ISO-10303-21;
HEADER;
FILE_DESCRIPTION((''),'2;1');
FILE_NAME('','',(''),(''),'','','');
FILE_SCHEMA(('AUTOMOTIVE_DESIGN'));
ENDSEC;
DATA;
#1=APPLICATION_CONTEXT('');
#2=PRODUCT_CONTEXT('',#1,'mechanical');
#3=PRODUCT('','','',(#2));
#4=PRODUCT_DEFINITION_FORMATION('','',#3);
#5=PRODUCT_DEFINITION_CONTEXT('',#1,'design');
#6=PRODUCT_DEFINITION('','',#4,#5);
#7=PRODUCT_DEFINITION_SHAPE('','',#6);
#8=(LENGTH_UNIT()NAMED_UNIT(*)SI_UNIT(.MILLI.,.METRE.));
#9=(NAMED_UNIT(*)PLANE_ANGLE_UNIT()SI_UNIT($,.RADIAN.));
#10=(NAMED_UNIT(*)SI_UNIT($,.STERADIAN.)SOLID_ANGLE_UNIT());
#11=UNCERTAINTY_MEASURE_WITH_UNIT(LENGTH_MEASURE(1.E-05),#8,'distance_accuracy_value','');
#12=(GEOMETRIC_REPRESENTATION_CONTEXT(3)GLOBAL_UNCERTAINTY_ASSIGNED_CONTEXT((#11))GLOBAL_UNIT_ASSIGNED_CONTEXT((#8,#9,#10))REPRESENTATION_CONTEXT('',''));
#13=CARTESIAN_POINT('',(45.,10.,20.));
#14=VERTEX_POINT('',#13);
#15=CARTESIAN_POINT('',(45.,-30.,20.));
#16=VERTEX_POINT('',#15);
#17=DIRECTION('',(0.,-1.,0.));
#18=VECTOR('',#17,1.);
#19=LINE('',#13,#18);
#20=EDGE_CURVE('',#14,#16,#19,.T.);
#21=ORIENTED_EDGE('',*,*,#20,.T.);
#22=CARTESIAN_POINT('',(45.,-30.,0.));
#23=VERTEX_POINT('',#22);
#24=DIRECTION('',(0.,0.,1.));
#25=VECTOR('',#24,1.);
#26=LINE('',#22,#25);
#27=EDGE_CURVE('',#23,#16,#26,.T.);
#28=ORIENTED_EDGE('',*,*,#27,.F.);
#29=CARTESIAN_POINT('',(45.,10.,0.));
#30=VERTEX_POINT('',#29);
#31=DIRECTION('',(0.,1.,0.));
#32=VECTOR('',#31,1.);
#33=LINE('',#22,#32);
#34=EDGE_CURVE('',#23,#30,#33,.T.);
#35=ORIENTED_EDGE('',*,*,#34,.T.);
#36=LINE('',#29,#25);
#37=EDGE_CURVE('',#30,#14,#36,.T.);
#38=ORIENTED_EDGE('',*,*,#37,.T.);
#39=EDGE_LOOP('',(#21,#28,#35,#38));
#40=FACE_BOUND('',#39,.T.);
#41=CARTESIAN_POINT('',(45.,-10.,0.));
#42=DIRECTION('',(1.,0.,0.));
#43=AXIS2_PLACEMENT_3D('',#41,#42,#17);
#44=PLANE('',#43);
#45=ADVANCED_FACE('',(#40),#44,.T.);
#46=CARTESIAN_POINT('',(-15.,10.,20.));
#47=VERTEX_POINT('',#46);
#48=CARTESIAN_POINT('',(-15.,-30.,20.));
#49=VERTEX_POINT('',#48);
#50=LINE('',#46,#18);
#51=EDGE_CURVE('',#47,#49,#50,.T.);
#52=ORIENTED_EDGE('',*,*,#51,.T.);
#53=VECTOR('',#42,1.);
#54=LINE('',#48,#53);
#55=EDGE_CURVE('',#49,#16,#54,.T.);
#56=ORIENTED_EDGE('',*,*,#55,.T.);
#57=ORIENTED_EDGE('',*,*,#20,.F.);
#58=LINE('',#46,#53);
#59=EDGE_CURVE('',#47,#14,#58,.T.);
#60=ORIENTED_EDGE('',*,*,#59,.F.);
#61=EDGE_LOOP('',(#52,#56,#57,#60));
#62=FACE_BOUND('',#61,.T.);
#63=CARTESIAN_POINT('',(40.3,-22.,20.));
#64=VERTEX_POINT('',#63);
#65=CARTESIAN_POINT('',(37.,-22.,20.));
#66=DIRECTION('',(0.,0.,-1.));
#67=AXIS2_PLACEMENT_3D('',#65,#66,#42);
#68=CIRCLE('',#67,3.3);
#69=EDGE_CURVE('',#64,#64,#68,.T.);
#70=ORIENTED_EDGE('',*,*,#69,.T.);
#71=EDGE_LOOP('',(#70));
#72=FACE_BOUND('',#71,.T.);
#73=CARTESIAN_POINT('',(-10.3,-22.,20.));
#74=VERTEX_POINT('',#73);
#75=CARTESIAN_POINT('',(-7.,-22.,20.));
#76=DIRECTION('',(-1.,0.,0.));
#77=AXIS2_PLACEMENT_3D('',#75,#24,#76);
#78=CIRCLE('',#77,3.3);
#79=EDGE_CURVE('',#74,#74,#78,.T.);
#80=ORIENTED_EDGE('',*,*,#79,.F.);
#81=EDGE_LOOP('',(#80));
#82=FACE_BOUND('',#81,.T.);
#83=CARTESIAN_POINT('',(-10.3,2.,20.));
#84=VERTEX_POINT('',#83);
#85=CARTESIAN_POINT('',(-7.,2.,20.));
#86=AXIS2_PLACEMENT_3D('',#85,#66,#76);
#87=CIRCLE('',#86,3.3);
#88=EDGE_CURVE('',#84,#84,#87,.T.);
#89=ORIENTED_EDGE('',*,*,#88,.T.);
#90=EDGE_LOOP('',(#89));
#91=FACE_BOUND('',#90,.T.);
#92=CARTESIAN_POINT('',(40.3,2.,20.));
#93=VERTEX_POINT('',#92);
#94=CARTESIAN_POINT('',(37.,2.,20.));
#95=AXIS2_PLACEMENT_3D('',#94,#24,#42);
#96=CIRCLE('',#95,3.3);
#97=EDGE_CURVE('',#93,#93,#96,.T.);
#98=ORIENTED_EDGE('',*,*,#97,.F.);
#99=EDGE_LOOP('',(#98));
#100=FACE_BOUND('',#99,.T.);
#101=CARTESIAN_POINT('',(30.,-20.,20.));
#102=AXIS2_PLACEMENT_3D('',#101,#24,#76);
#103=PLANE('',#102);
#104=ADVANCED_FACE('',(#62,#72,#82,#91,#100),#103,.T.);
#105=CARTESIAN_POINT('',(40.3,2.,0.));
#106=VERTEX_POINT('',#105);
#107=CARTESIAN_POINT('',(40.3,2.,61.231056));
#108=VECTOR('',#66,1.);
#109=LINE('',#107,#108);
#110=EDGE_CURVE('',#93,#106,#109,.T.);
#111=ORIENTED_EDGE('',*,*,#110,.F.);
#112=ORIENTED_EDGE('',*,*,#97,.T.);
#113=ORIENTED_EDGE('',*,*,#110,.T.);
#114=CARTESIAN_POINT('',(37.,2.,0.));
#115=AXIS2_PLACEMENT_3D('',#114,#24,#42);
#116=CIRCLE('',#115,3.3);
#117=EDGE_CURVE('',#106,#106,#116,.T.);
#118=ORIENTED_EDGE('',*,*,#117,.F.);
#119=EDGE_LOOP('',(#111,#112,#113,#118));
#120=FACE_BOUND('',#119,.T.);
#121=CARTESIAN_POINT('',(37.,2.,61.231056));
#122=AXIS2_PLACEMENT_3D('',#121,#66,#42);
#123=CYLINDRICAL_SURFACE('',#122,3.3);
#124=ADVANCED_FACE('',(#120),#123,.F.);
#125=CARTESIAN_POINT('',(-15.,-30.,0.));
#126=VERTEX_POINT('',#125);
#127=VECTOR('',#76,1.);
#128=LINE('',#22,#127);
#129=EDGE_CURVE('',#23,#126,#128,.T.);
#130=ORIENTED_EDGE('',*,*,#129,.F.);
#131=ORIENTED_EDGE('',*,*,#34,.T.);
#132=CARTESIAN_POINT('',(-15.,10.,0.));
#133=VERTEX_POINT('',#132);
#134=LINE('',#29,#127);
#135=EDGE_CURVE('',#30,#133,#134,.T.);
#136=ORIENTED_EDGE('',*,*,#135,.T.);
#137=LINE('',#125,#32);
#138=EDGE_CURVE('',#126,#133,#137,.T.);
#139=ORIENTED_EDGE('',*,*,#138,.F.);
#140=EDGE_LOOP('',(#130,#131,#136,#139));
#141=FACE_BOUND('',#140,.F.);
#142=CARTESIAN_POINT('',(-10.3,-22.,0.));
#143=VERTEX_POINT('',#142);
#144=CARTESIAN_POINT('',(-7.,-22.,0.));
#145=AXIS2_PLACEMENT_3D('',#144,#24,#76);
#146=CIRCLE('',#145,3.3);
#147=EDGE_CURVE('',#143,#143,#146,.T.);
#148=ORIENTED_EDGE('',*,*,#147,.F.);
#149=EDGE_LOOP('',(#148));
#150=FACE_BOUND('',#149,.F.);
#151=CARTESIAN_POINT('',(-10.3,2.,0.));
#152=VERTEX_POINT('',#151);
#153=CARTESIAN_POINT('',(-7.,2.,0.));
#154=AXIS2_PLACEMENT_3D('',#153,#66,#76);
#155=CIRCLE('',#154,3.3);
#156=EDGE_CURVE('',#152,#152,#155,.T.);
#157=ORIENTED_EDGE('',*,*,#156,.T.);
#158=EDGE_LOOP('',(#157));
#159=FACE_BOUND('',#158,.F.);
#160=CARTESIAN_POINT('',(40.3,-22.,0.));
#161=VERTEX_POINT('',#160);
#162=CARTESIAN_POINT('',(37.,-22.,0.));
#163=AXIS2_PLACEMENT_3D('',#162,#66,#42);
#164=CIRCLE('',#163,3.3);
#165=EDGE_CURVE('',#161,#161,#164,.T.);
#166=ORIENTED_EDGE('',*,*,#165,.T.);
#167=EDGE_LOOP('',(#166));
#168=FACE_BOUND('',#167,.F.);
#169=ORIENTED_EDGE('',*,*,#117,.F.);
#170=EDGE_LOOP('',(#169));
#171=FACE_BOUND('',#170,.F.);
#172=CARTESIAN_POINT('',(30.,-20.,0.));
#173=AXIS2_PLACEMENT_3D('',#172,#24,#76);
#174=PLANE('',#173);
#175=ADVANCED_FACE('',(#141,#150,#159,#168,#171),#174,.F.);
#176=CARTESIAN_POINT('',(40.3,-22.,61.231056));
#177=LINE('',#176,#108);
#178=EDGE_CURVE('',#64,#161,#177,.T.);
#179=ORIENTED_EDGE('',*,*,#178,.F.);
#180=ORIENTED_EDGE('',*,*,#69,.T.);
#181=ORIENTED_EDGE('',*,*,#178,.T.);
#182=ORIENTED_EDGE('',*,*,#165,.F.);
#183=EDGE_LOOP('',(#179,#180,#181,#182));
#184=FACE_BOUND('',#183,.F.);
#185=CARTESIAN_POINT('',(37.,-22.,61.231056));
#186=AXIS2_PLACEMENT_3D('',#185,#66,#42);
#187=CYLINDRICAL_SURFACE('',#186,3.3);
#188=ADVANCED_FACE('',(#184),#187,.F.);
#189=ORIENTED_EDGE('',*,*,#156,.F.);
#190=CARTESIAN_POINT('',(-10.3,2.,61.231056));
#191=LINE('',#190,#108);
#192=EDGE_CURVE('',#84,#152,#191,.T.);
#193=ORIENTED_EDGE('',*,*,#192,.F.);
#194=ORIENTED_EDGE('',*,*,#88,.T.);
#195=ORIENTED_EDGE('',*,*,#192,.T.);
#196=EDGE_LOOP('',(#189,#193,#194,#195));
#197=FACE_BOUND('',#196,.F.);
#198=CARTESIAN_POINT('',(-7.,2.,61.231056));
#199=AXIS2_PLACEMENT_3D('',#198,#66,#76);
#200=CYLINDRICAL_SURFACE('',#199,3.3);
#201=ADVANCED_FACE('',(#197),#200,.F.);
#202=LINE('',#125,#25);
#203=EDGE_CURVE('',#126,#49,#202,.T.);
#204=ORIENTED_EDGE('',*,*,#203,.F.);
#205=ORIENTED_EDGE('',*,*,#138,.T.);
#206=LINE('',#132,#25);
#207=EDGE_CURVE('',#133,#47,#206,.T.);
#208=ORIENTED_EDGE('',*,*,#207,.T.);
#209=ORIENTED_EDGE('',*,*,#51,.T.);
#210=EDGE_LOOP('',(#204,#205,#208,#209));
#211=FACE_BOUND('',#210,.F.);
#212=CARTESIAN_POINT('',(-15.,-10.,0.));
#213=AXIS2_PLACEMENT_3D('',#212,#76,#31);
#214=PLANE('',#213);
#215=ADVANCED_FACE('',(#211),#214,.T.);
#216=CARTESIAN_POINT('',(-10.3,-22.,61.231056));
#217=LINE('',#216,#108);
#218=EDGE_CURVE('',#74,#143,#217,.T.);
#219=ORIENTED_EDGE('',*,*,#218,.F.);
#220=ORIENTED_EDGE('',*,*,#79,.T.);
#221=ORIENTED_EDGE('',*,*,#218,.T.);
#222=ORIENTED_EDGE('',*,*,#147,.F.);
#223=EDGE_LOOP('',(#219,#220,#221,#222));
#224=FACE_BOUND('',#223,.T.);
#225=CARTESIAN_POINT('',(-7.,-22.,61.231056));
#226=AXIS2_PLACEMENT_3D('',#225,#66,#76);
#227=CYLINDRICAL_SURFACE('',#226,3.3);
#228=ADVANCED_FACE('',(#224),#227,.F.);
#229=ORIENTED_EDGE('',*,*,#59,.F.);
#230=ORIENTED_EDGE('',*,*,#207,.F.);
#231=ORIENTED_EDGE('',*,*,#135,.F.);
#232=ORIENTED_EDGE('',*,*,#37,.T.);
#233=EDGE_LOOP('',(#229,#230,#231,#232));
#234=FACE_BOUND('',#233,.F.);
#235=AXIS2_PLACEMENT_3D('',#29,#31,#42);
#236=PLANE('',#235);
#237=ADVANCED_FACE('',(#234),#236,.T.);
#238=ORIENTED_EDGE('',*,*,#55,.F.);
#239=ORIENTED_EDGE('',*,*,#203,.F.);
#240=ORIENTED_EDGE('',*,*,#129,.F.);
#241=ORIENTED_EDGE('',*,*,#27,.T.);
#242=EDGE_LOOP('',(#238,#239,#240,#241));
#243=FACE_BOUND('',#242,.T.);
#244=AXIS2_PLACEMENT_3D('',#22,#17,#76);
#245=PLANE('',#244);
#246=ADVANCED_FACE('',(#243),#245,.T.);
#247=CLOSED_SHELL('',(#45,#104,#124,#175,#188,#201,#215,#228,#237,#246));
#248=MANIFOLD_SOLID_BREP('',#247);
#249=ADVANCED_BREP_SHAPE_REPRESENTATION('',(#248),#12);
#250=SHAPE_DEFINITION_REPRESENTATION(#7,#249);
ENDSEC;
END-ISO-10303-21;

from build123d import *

# Parameters (mm, degrees)
F0_W     = 30
F0_H     = 20
F1_DEPTH = 20
F3_D     = 6.6


with BuildPart() as f1:
    # F0 (on Top) → F1 (new body)
    with BuildSketch(Plane.XY):
        Rectangle(F0_W, F0_H)
    extrude(amount=F1_DEPTH)

    # F3 (through all)
    with Locations(Plane.XY.offset(20)):
        with Locations((-7, 2)):
            Hole(F3_D / 2)

    # F4: F1 across face


with BuildPart() as f1_1:
    add(f1.part)
    add(f1.part.mirror(Plane(origin=(15, 0, 10), x_dir=(0, 1, 0), z_dir=(1, 0, 0))))

    # F5: F1 across face


with BuildPart() as f1_2:
    add(f1_1.part)
    add(f1_1.part.mirror(Plane(origin=(15, -10, 10), x_dir=(1, 0, 0), z_dir=(0, -1, 0))))


solid = f1_2.part
